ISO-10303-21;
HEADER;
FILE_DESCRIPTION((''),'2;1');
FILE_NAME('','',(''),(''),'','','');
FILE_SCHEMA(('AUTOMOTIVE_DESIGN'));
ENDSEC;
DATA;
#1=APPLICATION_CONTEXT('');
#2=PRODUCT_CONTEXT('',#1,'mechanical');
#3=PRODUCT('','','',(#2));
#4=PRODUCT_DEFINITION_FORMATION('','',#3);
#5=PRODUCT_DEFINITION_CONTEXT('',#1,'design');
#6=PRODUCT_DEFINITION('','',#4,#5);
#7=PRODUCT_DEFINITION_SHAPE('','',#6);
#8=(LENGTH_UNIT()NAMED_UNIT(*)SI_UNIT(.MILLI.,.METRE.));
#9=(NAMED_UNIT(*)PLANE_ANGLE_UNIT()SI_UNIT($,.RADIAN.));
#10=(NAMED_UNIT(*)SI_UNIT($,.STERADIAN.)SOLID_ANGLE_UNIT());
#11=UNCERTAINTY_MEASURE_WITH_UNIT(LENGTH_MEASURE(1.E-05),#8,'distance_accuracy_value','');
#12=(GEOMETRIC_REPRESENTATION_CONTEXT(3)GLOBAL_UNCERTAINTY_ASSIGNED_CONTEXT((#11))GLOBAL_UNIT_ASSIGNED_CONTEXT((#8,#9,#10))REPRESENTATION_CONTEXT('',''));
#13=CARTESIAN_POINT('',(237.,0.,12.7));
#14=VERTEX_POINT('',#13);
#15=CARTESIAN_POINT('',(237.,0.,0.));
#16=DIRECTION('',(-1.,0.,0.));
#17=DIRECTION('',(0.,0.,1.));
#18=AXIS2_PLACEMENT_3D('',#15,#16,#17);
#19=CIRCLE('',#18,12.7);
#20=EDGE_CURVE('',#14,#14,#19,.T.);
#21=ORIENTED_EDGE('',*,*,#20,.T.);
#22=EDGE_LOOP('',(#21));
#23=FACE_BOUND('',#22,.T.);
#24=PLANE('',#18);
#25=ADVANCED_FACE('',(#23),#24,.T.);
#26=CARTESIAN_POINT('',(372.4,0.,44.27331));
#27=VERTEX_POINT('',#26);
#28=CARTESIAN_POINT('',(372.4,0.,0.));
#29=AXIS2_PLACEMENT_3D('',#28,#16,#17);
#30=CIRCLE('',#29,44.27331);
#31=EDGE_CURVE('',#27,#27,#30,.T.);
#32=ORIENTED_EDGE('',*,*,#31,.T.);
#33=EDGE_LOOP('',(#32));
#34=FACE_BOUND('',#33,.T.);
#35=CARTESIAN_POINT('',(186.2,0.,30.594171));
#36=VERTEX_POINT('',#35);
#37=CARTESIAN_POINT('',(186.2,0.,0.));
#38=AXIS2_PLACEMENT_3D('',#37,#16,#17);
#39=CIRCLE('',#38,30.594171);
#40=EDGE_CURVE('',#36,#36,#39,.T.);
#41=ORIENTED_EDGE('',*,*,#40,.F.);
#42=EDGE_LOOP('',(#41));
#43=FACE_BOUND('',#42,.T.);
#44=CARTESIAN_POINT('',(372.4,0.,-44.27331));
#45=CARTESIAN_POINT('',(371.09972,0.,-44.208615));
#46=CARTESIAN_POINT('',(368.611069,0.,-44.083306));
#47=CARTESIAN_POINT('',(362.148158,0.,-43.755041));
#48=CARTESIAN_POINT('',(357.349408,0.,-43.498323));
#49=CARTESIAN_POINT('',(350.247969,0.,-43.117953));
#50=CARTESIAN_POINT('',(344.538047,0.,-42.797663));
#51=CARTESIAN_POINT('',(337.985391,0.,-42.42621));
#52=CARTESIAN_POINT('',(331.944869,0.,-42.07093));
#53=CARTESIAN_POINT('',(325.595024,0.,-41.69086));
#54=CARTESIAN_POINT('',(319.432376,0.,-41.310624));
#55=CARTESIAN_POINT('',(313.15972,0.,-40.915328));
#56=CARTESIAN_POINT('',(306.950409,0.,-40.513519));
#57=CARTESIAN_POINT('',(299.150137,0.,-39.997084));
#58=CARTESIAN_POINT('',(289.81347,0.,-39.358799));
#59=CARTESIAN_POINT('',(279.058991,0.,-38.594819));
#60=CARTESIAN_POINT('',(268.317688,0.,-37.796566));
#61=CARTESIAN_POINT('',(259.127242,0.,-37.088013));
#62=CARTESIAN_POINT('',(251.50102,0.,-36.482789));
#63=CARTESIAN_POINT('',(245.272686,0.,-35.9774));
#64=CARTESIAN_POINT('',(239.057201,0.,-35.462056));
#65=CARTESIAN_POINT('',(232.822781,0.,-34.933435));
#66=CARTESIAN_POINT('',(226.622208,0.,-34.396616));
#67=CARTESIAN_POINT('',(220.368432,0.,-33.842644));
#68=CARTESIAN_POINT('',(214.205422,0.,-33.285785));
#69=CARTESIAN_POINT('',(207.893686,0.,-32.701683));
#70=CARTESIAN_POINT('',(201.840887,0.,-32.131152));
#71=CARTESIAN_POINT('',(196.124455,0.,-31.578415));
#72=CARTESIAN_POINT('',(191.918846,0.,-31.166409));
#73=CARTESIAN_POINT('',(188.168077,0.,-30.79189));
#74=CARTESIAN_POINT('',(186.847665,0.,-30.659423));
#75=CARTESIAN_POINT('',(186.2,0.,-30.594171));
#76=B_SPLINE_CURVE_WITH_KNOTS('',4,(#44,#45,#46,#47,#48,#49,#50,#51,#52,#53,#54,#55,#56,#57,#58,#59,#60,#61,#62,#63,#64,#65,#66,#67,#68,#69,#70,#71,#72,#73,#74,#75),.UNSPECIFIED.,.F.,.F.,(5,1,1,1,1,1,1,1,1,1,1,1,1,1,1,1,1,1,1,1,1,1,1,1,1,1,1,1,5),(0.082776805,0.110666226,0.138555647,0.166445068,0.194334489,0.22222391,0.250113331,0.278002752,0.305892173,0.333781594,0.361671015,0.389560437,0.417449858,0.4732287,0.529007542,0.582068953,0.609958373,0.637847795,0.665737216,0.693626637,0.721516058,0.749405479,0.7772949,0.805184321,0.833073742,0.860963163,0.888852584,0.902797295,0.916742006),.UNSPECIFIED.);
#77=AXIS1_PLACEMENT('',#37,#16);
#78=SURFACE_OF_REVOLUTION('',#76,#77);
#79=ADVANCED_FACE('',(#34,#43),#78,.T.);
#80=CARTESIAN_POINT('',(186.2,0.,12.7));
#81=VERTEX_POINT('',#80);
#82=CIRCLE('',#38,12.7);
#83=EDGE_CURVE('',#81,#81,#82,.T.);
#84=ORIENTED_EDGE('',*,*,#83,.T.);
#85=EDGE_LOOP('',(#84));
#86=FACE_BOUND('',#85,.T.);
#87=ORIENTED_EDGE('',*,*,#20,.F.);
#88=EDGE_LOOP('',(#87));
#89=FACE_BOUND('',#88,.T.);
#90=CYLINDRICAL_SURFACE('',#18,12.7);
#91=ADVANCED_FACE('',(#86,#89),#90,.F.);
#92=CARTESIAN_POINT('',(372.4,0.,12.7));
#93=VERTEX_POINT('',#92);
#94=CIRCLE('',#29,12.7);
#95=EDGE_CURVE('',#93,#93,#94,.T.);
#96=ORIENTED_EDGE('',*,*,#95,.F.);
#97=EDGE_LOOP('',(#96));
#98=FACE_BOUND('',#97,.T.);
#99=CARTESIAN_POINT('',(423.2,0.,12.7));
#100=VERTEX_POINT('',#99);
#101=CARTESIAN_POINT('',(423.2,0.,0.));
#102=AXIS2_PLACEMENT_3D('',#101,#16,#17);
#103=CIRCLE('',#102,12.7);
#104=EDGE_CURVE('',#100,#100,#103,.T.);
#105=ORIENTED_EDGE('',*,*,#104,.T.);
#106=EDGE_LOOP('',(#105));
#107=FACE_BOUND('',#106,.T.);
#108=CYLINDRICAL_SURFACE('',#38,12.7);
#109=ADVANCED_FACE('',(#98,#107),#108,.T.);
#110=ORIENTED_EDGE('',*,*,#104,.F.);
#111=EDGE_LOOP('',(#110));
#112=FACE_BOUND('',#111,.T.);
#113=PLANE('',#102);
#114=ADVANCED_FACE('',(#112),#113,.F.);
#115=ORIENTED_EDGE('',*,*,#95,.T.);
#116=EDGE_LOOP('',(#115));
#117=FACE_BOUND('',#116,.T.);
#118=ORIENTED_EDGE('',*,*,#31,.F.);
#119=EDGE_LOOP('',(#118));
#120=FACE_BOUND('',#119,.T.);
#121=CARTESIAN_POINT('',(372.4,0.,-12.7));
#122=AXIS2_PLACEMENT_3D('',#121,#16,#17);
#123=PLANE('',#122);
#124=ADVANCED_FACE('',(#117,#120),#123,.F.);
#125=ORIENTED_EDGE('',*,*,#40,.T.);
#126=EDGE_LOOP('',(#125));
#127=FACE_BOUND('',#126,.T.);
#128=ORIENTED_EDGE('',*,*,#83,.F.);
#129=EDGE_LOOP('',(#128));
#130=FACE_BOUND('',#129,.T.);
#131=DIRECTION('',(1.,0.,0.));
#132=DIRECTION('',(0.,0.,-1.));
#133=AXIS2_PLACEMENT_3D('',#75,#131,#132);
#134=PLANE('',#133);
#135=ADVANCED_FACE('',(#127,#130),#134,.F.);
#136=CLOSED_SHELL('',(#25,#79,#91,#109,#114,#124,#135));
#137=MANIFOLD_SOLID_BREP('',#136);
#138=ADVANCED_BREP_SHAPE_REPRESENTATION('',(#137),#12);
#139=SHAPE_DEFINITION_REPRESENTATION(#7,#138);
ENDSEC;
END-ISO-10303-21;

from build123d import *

# Parameters (mm, degrees)
SKETCH2_R          = 12.7
CUT_EXTRUDE1_DEPTH = 50.8


with BuildPart() as part:
    # Sketch1 → Revolve1 (revolve)
    with BuildSketch(Plane(origin=(0, 0, 0), x_dir=(1, 0, 0), z_dir=(0, 1, 0)), mode=Mode.PRIVATE) as revolve1_sk:
        with BuildLine():
            Line((186.200000001, 30.594170705), (186.200000001, 0))
            Line((186.200000001, 0), (423.200000001, 0))
            Line((423.200000001, 0), (423.200000001, 12.700000001))
            Line((423.200000001, 12.700000001), (372.4, 12.700000001))
            Line((372.4, 12.700000001), (372.4, 44.273309897))
            add(Edge.make_bspline(
                [(186.200000001, 30.594170705), (186.84766521, 30.659423119), (188.168076883, 30.791890482), (191.918845769, 31.166408582), (196.124455044, 31.578414536), (201.840886625, 32.131151998), (207.893685758, 32.701682781), (214.205422429, 33.28578459), (220.368431816, 33.842643509), (226.62220802, 34.3966159), (232.82278134, 34.933435215), (239.057201083, 35.462055862), (245.27268644, 35.977399589), (251.501020324, 36.482788699), (259.127242372, 37.088012955), (268.317687959, 37.796565894), (279.05899058, 38.594819148), (289.813469819, 39.358798501), (299.150136566, 39.99708407), (306.950409458, 40.51351894), (313.159719824, 40.915327722), (319.432376423, 41.310624435), (325.595023531, 41.690859903), (331.944868665, 42.070929833), (337.985390815, 42.426210406), (344.538046525, 42.797662782), (350.247968857, 43.117953172), (357.349407841, 43.498323428), (362.148157595, 43.755040764), (368.611069259, 44.083306474), (371.099720463, 44.208615145), (372.4, 44.273309897)],
                knots=[0.082776805, 0.082776805, 0.082776805, 0.082776805, 0.082776805, 0.096721516, 0.110666227, 0.138555648, 0.166445069, 0.19433449, 0.222223911, 0.250113332, 0.278002753, 0.305892174, 0.333781595, 0.361671016, 0.389560438, 0.417449858, 0.470511269, 0.526290111, 0.582068953, 0.609958374, 0.637847796, 0.665737217, 0.693626638, 0.721516059, 0.74940548, 0.777294901, 0.805184322, 0.833073743, 0.860963164, 0.888852585, 0.916742006, 0.916742006, 0.916742006, 0.916742006, 0.916742006], degree=4))
        make_face()
    revolve(revolve1_sk.sketch.rotate(Axis((186.200000001, 0, 0), (1, 0, 0)), 180), axis=Axis((186.200000001, 0, 0), (1, 0, 0)))

    # Sketch2 → Cut-Extrude1 (cut)
    with BuildSketch(Plane.ZY.offset(-186.200000001)):
        Circle(SKETCH2_R)
    extrude(amount=-CUT_EXTRUDE1_DEPTH, mode=Mode.SUBTRACT)


solid = part.part
